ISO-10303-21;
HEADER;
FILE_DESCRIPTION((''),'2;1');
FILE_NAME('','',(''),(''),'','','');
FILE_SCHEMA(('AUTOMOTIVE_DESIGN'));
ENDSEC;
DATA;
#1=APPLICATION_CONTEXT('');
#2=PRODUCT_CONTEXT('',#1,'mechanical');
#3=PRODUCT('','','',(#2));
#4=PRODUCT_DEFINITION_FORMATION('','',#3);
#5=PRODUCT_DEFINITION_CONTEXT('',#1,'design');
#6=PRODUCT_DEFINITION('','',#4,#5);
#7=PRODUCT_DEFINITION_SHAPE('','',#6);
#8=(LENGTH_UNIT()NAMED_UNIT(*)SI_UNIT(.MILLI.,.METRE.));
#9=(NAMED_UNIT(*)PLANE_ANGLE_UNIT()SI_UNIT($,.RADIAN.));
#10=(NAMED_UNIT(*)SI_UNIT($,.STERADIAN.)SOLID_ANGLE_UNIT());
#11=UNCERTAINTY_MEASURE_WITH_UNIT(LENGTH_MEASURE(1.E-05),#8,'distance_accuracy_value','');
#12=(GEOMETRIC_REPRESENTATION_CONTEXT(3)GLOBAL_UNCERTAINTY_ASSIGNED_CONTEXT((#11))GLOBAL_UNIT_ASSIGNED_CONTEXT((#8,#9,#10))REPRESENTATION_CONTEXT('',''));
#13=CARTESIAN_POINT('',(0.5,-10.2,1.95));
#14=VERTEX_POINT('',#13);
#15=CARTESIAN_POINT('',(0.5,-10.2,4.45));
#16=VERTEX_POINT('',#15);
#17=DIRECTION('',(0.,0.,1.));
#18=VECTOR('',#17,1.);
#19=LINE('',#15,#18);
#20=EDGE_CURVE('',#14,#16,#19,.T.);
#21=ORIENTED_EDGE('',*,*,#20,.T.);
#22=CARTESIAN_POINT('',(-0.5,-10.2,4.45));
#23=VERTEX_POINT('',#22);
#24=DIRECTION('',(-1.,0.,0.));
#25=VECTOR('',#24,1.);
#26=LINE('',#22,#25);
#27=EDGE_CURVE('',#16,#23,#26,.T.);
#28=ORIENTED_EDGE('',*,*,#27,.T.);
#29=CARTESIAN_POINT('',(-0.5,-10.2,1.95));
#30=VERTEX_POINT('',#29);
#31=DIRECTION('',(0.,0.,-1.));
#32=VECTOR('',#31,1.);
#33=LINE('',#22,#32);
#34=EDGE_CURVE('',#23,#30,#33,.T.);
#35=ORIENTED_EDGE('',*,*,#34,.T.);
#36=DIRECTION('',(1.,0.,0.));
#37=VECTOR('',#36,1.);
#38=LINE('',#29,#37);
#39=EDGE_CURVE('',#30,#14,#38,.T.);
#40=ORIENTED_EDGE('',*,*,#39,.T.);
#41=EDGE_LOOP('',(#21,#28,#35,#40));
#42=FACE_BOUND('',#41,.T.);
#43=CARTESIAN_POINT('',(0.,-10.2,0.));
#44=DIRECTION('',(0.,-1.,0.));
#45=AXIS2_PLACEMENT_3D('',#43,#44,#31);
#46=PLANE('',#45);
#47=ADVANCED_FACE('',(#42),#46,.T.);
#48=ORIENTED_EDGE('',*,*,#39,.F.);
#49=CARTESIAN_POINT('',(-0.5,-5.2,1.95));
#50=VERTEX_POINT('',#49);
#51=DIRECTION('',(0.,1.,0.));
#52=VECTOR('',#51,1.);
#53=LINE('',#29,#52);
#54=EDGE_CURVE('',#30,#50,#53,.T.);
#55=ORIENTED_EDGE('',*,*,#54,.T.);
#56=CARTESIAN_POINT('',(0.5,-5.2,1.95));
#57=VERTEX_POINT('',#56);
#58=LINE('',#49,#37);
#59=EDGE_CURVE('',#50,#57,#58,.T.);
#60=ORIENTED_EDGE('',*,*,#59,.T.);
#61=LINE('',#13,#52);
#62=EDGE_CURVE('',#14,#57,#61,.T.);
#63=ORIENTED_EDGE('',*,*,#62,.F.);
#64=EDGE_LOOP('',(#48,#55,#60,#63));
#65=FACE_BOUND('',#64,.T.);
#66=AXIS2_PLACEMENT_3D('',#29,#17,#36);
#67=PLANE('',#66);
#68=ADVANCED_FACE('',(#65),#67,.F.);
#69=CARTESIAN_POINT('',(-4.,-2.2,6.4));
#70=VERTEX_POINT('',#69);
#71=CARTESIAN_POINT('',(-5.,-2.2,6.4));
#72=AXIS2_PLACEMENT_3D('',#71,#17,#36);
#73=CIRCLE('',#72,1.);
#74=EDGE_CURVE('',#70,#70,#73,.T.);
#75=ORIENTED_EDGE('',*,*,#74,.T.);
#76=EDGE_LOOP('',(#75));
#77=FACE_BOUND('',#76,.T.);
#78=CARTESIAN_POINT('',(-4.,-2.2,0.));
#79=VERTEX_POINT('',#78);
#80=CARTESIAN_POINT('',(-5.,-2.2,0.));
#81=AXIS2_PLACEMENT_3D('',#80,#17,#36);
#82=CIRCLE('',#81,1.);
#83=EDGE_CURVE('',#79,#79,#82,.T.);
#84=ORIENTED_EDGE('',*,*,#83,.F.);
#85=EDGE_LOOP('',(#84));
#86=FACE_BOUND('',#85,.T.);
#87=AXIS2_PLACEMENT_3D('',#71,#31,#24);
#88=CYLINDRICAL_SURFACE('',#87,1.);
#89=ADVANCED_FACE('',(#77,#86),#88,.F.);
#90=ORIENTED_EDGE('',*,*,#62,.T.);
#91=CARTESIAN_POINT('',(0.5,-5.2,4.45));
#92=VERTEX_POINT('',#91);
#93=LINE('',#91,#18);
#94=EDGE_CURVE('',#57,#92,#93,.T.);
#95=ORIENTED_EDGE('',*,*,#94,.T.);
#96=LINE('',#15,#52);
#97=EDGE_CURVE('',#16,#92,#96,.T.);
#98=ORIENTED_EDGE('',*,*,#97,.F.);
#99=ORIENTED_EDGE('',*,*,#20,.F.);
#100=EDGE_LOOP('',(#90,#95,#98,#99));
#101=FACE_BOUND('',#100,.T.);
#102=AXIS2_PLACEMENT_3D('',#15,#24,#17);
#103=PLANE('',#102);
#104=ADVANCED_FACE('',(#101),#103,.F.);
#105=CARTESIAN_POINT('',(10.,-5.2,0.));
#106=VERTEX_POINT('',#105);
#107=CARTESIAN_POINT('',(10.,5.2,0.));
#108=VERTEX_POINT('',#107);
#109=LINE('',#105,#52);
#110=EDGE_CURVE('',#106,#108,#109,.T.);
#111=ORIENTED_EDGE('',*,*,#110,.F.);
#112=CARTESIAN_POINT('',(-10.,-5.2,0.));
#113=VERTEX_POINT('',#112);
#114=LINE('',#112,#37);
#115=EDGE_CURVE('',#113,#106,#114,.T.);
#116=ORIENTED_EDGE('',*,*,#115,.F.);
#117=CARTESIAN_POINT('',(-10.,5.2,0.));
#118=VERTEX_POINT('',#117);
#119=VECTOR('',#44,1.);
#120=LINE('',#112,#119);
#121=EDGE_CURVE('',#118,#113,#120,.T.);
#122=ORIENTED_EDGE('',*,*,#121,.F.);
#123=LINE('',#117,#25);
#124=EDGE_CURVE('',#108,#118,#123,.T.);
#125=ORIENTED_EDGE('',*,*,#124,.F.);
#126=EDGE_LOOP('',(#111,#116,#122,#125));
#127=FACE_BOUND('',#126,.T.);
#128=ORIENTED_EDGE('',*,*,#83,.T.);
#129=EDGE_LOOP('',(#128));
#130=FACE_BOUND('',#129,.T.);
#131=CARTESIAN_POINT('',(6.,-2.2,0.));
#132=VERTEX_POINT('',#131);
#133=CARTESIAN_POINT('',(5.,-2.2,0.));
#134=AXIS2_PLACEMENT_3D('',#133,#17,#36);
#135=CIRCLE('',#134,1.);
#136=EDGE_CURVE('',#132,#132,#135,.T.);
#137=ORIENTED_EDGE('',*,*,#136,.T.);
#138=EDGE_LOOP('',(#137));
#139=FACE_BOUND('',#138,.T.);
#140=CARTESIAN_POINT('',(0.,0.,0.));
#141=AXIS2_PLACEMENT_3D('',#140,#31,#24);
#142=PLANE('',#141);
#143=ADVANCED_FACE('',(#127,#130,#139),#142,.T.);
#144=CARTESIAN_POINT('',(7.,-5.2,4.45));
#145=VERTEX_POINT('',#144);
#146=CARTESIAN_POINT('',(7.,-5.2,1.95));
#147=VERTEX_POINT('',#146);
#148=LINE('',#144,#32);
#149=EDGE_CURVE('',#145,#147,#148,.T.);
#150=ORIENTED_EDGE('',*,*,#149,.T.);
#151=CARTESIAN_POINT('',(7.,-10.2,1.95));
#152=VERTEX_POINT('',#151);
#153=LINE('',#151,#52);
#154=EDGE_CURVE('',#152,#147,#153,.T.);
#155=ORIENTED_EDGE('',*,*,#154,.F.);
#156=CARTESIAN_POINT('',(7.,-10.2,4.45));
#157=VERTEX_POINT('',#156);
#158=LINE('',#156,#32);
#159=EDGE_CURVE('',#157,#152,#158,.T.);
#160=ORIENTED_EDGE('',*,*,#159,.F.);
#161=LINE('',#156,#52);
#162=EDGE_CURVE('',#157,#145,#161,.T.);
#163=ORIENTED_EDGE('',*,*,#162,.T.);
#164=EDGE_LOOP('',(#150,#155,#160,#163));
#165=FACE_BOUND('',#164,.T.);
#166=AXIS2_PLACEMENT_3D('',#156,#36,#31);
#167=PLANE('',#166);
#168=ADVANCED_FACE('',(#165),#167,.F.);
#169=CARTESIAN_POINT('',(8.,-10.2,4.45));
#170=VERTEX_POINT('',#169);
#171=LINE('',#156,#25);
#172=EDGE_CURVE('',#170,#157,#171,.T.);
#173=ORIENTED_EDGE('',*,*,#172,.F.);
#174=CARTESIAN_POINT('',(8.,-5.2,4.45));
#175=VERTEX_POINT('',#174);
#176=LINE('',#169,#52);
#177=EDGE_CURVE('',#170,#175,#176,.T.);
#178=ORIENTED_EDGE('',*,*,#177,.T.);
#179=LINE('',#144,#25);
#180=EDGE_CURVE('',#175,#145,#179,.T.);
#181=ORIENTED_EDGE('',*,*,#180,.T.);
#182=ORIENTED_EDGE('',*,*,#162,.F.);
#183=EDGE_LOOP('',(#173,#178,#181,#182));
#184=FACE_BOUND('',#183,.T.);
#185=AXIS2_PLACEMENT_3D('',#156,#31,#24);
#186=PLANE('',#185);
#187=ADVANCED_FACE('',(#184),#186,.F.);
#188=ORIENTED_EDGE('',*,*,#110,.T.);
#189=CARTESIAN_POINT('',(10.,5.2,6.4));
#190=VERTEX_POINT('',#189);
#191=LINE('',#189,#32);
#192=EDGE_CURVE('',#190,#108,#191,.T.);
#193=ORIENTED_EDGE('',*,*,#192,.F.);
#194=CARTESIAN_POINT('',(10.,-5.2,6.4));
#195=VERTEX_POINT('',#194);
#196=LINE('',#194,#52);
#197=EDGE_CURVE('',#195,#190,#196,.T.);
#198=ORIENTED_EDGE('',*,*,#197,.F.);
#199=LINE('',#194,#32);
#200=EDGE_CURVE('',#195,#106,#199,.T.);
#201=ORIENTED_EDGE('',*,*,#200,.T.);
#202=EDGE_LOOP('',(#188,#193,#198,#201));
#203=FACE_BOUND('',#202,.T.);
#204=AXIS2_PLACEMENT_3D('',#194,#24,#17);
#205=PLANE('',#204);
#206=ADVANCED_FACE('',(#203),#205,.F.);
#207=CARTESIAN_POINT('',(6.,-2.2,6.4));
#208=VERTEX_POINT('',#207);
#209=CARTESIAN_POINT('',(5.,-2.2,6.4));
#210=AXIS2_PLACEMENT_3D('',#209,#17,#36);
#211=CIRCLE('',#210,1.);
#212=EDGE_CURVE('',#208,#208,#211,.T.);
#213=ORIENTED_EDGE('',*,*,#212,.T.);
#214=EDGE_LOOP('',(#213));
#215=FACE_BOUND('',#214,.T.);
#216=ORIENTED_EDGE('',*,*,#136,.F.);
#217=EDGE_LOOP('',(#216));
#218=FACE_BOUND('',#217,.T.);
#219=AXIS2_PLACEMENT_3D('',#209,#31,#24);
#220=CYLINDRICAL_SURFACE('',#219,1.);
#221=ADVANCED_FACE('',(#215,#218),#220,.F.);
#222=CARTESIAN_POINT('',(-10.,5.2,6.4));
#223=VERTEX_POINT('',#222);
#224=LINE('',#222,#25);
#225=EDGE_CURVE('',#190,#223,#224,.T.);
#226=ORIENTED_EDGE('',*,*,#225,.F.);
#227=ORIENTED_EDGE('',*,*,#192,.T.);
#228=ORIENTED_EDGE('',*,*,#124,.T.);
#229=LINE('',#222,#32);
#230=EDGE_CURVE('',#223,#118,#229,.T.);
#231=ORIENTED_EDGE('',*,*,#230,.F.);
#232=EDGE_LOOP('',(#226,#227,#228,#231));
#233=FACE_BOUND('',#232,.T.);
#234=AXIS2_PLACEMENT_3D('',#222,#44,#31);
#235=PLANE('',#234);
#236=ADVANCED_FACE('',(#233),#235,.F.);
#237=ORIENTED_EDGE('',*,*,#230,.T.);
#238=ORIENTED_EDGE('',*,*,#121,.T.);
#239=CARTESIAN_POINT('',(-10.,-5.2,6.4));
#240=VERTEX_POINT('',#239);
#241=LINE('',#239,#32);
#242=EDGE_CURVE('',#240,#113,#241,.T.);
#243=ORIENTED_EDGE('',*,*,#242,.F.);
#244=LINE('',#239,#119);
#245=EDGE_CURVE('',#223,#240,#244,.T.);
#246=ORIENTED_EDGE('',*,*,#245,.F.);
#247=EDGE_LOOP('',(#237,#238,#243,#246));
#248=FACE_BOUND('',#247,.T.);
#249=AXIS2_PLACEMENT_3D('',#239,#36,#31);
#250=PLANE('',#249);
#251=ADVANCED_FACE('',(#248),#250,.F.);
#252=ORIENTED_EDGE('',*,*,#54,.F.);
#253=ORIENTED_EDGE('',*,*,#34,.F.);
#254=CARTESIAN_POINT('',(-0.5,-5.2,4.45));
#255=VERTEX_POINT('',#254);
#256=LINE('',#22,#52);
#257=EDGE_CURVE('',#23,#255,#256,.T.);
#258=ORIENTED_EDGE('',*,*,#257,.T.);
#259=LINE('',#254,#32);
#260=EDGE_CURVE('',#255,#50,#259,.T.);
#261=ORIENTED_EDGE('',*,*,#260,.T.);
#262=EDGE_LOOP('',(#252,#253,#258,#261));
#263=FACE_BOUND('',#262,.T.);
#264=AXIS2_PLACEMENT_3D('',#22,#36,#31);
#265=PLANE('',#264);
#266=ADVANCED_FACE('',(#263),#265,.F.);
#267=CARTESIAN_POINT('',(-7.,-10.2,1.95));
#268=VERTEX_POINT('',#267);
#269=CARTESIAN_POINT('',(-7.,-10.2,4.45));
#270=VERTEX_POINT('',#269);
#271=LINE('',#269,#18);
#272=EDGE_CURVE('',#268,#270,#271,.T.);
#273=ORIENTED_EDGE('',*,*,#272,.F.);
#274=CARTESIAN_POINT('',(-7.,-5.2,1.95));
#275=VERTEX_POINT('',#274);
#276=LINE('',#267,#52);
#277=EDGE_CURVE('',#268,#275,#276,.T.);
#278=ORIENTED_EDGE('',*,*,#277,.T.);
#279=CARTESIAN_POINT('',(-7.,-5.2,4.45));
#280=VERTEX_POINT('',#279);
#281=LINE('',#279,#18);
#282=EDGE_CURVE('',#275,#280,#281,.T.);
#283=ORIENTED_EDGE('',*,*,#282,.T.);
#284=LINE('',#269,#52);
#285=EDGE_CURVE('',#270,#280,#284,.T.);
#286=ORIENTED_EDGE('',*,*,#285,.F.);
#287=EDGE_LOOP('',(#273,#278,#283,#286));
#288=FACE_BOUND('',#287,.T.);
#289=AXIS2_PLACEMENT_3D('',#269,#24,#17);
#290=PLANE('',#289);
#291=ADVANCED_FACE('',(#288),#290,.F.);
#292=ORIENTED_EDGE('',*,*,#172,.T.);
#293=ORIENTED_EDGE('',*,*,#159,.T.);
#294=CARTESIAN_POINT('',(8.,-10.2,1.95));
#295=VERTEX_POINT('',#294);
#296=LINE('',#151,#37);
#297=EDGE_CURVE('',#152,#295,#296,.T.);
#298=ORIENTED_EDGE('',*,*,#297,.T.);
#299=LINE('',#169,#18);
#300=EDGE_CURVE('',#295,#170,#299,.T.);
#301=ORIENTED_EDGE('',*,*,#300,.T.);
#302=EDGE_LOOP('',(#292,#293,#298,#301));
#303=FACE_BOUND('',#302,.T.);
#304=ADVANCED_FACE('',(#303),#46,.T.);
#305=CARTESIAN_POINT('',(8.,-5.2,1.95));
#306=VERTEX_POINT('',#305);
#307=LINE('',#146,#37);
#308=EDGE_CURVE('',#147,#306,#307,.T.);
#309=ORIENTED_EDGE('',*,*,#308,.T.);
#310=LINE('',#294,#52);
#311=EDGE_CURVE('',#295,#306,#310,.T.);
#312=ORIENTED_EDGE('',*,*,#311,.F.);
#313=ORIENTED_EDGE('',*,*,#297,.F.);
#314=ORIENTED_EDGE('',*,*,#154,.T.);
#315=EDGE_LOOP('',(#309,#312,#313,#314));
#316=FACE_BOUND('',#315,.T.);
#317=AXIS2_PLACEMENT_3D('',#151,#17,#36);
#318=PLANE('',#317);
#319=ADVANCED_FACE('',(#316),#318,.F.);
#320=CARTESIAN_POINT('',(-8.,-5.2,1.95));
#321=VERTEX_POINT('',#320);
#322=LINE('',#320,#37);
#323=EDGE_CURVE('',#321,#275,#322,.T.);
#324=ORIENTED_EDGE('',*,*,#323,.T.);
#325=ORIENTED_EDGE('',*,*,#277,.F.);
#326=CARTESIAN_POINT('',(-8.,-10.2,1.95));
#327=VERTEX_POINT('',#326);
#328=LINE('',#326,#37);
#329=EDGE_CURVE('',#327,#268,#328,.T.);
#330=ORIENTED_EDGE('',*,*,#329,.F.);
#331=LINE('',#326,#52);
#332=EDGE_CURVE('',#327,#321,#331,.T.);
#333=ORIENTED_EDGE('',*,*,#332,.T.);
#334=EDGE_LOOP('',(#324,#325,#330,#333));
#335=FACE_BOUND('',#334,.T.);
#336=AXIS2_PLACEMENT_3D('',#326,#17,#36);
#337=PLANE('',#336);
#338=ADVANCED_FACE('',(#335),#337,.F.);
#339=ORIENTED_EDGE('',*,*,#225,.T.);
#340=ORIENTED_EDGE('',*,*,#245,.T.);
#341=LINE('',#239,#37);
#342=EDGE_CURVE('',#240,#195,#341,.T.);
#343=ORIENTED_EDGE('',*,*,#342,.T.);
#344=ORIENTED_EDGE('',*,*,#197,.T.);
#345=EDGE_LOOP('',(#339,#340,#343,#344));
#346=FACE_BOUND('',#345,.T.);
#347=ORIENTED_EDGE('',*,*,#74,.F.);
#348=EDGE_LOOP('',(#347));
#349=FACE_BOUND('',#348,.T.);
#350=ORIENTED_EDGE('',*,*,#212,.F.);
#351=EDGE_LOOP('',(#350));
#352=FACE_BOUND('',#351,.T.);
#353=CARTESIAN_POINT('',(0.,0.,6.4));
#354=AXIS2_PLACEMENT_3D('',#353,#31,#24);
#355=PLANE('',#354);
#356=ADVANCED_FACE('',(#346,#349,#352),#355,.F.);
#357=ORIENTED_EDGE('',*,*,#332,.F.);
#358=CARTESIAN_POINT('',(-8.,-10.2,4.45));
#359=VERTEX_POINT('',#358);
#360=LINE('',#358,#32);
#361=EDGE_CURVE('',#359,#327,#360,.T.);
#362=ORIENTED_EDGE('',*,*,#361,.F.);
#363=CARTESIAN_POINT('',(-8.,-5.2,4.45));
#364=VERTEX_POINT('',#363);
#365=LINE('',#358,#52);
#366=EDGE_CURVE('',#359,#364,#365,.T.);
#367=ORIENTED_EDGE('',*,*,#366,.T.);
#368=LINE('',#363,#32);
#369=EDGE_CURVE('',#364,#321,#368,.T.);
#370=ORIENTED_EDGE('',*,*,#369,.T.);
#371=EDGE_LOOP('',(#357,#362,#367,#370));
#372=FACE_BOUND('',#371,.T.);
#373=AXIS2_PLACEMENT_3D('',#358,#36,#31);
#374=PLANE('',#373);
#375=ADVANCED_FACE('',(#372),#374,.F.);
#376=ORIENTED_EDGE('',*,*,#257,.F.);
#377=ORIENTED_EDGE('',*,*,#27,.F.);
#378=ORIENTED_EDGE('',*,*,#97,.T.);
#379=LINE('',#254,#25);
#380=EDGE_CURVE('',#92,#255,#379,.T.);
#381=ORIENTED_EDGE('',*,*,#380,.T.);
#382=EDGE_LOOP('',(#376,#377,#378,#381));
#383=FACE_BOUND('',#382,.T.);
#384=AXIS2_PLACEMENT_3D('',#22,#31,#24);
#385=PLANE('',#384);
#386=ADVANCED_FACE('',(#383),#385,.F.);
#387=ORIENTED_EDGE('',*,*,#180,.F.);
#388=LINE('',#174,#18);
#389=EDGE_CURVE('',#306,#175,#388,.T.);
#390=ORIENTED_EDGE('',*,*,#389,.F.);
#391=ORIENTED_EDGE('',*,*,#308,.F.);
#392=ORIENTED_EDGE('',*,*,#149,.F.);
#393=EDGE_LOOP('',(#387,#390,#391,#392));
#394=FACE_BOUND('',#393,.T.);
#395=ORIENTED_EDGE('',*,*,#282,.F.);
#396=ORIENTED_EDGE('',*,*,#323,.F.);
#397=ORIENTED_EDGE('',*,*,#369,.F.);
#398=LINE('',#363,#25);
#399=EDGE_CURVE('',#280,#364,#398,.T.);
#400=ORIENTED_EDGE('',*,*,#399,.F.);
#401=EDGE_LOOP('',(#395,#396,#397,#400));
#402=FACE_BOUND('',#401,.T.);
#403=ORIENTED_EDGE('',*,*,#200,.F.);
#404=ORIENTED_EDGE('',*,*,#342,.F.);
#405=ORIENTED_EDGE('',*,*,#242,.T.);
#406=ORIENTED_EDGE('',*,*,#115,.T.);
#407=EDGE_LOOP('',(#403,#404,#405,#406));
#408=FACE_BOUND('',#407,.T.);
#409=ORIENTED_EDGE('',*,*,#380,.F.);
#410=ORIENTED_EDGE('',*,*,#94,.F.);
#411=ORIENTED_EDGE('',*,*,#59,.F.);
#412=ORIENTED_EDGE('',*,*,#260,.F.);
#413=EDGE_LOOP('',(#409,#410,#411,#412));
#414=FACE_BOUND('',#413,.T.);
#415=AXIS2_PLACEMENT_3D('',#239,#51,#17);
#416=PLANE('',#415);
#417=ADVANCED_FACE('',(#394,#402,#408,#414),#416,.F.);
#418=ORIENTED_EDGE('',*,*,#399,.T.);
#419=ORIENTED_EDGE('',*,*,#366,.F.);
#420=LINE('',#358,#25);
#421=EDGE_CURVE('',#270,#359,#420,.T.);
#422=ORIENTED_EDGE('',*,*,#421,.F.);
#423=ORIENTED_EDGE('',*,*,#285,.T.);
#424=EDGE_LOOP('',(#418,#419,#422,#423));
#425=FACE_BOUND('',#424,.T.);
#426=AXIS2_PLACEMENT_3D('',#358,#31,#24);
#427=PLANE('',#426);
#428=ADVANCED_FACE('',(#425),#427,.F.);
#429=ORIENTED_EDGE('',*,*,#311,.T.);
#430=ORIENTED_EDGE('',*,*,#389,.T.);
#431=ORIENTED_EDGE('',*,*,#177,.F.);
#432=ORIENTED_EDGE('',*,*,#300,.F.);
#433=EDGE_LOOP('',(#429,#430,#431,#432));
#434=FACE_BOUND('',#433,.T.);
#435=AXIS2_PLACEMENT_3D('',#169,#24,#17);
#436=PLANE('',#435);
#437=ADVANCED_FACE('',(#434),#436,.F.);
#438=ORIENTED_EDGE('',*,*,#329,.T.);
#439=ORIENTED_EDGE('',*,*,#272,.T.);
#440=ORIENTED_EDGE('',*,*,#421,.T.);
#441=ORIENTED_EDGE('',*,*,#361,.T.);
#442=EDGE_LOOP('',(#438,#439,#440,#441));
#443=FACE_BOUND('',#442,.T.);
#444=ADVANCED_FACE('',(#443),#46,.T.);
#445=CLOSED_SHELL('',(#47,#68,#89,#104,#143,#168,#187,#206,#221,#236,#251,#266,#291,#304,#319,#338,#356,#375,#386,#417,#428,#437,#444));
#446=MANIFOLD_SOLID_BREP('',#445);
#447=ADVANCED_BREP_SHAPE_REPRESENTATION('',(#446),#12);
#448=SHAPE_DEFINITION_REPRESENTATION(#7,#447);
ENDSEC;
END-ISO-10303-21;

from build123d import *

# Parameters (mm, degrees)
ESQUISSE1_W        = 20
ESQUISSE1_H        = 10.4
ESQUISSE1_R        = 1
BOSS_EXTRU_1_DEPTH = 6.4
ESQUISSE2_W        = 1
ESQUISSE2_H        = 2.5
BOSS_EXTRU_2_DEPTH = 5


with BuildPart() as part:
    # Esquisse1 → Boss.-Extru.1 (new body)
    with BuildSketch(Plane.XY):
        Rectangle(ESQUISSE1_W, ESQUISSE1_H)
        with Locations((-5, -2.2)):
            Circle(ESQUISSE1_R, mode=Mode.SUBTRACT)
        with Locations((5, -2.2)):
            Circle(ESQUISSE1_R, mode=Mode.SUBTRACT)
    extrude(amount=BOSS_EXTRU_1_DEPTH)

    # Esquisse2 → Boss.-Extru.2 (add)
    with BuildSketch(Plane.XZ.offset(5.2)):
        with Locations((-7.5, 3.2)):
            Rectangle(ESQUISSE2_W, ESQUISSE2_H)
        with Locations((0, 3.2)):
            Rectangle(ESQUISSE2_W, ESQUISSE2_H)
        with Locations((7.5, 3.2)):
            Rectangle(ESQUISSE2_W, ESQUISSE2_H)
    extrude(amount=BOSS_EXTRU_2_DEPTH)


solid = part.part
